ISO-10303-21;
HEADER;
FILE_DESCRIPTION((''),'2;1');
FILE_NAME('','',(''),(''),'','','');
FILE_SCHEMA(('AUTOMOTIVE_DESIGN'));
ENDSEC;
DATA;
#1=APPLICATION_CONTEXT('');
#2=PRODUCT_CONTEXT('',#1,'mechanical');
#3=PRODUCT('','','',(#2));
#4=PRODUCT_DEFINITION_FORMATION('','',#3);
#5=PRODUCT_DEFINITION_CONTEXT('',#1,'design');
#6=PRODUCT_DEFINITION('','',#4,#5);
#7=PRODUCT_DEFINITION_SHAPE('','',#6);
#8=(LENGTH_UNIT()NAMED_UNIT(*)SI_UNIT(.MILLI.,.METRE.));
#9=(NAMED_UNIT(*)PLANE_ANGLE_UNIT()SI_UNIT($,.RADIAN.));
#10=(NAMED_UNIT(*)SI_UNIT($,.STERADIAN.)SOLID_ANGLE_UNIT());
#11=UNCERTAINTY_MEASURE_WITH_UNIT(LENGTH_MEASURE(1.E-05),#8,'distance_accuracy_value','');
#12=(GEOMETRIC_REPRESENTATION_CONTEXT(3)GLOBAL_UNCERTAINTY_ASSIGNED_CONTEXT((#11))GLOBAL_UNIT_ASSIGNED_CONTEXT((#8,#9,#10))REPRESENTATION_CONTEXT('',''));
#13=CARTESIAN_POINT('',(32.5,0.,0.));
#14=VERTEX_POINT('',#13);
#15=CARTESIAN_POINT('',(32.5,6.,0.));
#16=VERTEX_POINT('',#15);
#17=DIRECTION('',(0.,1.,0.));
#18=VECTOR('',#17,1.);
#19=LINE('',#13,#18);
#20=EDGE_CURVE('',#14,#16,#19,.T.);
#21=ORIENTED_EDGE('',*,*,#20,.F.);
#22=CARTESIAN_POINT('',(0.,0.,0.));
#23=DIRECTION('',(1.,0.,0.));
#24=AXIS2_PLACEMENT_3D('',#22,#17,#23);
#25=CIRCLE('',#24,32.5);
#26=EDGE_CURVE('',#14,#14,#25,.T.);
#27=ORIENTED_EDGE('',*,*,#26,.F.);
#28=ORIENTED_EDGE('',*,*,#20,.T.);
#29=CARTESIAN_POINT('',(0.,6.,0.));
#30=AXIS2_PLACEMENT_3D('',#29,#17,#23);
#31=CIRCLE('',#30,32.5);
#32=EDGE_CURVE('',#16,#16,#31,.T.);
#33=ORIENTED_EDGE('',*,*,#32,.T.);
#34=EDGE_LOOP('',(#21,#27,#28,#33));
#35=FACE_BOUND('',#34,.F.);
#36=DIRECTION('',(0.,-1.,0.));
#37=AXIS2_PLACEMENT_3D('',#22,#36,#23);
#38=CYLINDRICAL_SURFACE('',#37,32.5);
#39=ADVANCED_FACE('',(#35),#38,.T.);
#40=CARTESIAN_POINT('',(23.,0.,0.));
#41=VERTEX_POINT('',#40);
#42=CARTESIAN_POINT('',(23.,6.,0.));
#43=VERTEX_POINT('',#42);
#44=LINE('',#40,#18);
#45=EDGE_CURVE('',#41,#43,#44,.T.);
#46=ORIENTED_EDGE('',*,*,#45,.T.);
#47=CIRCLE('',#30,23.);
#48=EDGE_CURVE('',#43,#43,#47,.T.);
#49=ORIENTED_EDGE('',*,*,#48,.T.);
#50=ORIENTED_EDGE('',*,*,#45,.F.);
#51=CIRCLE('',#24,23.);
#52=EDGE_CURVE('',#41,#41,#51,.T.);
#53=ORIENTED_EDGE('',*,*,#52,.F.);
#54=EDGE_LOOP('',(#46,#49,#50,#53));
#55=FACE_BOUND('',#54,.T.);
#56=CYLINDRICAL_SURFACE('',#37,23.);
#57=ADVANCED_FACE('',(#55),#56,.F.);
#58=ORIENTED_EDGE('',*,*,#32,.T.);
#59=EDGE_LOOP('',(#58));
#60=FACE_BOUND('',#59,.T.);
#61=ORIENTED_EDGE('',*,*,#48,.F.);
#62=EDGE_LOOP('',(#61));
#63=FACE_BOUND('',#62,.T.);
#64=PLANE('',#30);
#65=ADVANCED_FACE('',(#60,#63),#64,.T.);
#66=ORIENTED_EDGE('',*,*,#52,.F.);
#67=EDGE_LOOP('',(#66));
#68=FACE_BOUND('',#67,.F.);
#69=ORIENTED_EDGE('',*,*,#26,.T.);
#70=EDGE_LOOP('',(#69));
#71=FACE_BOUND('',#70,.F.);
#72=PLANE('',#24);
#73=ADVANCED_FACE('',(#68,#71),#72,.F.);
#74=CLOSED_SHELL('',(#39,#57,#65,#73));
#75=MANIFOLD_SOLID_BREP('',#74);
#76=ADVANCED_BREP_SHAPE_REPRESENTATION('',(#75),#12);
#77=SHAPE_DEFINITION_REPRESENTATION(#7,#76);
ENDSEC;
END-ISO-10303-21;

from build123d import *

# Parameters (mm, degrees)
SKETCH1_R      = 32.5
SKETCH1_R_2    = 23
EXTRUDE1_DEPTH = 6


with BuildPart() as part:
    # Sketch1 → Extrude1 (new body)
    with BuildSketch(Plane(origin=(0, 0, 0), x_dir=(1, 0, 0), z_dir=(0, 1, 0))):
        Circle(SKETCH1_R)
        Circle(SKETCH1_R_2, mode=Mode.SUBTRACT)
    extrude(amount=EXTRUDE1_DEPTH)


solid = part.part
